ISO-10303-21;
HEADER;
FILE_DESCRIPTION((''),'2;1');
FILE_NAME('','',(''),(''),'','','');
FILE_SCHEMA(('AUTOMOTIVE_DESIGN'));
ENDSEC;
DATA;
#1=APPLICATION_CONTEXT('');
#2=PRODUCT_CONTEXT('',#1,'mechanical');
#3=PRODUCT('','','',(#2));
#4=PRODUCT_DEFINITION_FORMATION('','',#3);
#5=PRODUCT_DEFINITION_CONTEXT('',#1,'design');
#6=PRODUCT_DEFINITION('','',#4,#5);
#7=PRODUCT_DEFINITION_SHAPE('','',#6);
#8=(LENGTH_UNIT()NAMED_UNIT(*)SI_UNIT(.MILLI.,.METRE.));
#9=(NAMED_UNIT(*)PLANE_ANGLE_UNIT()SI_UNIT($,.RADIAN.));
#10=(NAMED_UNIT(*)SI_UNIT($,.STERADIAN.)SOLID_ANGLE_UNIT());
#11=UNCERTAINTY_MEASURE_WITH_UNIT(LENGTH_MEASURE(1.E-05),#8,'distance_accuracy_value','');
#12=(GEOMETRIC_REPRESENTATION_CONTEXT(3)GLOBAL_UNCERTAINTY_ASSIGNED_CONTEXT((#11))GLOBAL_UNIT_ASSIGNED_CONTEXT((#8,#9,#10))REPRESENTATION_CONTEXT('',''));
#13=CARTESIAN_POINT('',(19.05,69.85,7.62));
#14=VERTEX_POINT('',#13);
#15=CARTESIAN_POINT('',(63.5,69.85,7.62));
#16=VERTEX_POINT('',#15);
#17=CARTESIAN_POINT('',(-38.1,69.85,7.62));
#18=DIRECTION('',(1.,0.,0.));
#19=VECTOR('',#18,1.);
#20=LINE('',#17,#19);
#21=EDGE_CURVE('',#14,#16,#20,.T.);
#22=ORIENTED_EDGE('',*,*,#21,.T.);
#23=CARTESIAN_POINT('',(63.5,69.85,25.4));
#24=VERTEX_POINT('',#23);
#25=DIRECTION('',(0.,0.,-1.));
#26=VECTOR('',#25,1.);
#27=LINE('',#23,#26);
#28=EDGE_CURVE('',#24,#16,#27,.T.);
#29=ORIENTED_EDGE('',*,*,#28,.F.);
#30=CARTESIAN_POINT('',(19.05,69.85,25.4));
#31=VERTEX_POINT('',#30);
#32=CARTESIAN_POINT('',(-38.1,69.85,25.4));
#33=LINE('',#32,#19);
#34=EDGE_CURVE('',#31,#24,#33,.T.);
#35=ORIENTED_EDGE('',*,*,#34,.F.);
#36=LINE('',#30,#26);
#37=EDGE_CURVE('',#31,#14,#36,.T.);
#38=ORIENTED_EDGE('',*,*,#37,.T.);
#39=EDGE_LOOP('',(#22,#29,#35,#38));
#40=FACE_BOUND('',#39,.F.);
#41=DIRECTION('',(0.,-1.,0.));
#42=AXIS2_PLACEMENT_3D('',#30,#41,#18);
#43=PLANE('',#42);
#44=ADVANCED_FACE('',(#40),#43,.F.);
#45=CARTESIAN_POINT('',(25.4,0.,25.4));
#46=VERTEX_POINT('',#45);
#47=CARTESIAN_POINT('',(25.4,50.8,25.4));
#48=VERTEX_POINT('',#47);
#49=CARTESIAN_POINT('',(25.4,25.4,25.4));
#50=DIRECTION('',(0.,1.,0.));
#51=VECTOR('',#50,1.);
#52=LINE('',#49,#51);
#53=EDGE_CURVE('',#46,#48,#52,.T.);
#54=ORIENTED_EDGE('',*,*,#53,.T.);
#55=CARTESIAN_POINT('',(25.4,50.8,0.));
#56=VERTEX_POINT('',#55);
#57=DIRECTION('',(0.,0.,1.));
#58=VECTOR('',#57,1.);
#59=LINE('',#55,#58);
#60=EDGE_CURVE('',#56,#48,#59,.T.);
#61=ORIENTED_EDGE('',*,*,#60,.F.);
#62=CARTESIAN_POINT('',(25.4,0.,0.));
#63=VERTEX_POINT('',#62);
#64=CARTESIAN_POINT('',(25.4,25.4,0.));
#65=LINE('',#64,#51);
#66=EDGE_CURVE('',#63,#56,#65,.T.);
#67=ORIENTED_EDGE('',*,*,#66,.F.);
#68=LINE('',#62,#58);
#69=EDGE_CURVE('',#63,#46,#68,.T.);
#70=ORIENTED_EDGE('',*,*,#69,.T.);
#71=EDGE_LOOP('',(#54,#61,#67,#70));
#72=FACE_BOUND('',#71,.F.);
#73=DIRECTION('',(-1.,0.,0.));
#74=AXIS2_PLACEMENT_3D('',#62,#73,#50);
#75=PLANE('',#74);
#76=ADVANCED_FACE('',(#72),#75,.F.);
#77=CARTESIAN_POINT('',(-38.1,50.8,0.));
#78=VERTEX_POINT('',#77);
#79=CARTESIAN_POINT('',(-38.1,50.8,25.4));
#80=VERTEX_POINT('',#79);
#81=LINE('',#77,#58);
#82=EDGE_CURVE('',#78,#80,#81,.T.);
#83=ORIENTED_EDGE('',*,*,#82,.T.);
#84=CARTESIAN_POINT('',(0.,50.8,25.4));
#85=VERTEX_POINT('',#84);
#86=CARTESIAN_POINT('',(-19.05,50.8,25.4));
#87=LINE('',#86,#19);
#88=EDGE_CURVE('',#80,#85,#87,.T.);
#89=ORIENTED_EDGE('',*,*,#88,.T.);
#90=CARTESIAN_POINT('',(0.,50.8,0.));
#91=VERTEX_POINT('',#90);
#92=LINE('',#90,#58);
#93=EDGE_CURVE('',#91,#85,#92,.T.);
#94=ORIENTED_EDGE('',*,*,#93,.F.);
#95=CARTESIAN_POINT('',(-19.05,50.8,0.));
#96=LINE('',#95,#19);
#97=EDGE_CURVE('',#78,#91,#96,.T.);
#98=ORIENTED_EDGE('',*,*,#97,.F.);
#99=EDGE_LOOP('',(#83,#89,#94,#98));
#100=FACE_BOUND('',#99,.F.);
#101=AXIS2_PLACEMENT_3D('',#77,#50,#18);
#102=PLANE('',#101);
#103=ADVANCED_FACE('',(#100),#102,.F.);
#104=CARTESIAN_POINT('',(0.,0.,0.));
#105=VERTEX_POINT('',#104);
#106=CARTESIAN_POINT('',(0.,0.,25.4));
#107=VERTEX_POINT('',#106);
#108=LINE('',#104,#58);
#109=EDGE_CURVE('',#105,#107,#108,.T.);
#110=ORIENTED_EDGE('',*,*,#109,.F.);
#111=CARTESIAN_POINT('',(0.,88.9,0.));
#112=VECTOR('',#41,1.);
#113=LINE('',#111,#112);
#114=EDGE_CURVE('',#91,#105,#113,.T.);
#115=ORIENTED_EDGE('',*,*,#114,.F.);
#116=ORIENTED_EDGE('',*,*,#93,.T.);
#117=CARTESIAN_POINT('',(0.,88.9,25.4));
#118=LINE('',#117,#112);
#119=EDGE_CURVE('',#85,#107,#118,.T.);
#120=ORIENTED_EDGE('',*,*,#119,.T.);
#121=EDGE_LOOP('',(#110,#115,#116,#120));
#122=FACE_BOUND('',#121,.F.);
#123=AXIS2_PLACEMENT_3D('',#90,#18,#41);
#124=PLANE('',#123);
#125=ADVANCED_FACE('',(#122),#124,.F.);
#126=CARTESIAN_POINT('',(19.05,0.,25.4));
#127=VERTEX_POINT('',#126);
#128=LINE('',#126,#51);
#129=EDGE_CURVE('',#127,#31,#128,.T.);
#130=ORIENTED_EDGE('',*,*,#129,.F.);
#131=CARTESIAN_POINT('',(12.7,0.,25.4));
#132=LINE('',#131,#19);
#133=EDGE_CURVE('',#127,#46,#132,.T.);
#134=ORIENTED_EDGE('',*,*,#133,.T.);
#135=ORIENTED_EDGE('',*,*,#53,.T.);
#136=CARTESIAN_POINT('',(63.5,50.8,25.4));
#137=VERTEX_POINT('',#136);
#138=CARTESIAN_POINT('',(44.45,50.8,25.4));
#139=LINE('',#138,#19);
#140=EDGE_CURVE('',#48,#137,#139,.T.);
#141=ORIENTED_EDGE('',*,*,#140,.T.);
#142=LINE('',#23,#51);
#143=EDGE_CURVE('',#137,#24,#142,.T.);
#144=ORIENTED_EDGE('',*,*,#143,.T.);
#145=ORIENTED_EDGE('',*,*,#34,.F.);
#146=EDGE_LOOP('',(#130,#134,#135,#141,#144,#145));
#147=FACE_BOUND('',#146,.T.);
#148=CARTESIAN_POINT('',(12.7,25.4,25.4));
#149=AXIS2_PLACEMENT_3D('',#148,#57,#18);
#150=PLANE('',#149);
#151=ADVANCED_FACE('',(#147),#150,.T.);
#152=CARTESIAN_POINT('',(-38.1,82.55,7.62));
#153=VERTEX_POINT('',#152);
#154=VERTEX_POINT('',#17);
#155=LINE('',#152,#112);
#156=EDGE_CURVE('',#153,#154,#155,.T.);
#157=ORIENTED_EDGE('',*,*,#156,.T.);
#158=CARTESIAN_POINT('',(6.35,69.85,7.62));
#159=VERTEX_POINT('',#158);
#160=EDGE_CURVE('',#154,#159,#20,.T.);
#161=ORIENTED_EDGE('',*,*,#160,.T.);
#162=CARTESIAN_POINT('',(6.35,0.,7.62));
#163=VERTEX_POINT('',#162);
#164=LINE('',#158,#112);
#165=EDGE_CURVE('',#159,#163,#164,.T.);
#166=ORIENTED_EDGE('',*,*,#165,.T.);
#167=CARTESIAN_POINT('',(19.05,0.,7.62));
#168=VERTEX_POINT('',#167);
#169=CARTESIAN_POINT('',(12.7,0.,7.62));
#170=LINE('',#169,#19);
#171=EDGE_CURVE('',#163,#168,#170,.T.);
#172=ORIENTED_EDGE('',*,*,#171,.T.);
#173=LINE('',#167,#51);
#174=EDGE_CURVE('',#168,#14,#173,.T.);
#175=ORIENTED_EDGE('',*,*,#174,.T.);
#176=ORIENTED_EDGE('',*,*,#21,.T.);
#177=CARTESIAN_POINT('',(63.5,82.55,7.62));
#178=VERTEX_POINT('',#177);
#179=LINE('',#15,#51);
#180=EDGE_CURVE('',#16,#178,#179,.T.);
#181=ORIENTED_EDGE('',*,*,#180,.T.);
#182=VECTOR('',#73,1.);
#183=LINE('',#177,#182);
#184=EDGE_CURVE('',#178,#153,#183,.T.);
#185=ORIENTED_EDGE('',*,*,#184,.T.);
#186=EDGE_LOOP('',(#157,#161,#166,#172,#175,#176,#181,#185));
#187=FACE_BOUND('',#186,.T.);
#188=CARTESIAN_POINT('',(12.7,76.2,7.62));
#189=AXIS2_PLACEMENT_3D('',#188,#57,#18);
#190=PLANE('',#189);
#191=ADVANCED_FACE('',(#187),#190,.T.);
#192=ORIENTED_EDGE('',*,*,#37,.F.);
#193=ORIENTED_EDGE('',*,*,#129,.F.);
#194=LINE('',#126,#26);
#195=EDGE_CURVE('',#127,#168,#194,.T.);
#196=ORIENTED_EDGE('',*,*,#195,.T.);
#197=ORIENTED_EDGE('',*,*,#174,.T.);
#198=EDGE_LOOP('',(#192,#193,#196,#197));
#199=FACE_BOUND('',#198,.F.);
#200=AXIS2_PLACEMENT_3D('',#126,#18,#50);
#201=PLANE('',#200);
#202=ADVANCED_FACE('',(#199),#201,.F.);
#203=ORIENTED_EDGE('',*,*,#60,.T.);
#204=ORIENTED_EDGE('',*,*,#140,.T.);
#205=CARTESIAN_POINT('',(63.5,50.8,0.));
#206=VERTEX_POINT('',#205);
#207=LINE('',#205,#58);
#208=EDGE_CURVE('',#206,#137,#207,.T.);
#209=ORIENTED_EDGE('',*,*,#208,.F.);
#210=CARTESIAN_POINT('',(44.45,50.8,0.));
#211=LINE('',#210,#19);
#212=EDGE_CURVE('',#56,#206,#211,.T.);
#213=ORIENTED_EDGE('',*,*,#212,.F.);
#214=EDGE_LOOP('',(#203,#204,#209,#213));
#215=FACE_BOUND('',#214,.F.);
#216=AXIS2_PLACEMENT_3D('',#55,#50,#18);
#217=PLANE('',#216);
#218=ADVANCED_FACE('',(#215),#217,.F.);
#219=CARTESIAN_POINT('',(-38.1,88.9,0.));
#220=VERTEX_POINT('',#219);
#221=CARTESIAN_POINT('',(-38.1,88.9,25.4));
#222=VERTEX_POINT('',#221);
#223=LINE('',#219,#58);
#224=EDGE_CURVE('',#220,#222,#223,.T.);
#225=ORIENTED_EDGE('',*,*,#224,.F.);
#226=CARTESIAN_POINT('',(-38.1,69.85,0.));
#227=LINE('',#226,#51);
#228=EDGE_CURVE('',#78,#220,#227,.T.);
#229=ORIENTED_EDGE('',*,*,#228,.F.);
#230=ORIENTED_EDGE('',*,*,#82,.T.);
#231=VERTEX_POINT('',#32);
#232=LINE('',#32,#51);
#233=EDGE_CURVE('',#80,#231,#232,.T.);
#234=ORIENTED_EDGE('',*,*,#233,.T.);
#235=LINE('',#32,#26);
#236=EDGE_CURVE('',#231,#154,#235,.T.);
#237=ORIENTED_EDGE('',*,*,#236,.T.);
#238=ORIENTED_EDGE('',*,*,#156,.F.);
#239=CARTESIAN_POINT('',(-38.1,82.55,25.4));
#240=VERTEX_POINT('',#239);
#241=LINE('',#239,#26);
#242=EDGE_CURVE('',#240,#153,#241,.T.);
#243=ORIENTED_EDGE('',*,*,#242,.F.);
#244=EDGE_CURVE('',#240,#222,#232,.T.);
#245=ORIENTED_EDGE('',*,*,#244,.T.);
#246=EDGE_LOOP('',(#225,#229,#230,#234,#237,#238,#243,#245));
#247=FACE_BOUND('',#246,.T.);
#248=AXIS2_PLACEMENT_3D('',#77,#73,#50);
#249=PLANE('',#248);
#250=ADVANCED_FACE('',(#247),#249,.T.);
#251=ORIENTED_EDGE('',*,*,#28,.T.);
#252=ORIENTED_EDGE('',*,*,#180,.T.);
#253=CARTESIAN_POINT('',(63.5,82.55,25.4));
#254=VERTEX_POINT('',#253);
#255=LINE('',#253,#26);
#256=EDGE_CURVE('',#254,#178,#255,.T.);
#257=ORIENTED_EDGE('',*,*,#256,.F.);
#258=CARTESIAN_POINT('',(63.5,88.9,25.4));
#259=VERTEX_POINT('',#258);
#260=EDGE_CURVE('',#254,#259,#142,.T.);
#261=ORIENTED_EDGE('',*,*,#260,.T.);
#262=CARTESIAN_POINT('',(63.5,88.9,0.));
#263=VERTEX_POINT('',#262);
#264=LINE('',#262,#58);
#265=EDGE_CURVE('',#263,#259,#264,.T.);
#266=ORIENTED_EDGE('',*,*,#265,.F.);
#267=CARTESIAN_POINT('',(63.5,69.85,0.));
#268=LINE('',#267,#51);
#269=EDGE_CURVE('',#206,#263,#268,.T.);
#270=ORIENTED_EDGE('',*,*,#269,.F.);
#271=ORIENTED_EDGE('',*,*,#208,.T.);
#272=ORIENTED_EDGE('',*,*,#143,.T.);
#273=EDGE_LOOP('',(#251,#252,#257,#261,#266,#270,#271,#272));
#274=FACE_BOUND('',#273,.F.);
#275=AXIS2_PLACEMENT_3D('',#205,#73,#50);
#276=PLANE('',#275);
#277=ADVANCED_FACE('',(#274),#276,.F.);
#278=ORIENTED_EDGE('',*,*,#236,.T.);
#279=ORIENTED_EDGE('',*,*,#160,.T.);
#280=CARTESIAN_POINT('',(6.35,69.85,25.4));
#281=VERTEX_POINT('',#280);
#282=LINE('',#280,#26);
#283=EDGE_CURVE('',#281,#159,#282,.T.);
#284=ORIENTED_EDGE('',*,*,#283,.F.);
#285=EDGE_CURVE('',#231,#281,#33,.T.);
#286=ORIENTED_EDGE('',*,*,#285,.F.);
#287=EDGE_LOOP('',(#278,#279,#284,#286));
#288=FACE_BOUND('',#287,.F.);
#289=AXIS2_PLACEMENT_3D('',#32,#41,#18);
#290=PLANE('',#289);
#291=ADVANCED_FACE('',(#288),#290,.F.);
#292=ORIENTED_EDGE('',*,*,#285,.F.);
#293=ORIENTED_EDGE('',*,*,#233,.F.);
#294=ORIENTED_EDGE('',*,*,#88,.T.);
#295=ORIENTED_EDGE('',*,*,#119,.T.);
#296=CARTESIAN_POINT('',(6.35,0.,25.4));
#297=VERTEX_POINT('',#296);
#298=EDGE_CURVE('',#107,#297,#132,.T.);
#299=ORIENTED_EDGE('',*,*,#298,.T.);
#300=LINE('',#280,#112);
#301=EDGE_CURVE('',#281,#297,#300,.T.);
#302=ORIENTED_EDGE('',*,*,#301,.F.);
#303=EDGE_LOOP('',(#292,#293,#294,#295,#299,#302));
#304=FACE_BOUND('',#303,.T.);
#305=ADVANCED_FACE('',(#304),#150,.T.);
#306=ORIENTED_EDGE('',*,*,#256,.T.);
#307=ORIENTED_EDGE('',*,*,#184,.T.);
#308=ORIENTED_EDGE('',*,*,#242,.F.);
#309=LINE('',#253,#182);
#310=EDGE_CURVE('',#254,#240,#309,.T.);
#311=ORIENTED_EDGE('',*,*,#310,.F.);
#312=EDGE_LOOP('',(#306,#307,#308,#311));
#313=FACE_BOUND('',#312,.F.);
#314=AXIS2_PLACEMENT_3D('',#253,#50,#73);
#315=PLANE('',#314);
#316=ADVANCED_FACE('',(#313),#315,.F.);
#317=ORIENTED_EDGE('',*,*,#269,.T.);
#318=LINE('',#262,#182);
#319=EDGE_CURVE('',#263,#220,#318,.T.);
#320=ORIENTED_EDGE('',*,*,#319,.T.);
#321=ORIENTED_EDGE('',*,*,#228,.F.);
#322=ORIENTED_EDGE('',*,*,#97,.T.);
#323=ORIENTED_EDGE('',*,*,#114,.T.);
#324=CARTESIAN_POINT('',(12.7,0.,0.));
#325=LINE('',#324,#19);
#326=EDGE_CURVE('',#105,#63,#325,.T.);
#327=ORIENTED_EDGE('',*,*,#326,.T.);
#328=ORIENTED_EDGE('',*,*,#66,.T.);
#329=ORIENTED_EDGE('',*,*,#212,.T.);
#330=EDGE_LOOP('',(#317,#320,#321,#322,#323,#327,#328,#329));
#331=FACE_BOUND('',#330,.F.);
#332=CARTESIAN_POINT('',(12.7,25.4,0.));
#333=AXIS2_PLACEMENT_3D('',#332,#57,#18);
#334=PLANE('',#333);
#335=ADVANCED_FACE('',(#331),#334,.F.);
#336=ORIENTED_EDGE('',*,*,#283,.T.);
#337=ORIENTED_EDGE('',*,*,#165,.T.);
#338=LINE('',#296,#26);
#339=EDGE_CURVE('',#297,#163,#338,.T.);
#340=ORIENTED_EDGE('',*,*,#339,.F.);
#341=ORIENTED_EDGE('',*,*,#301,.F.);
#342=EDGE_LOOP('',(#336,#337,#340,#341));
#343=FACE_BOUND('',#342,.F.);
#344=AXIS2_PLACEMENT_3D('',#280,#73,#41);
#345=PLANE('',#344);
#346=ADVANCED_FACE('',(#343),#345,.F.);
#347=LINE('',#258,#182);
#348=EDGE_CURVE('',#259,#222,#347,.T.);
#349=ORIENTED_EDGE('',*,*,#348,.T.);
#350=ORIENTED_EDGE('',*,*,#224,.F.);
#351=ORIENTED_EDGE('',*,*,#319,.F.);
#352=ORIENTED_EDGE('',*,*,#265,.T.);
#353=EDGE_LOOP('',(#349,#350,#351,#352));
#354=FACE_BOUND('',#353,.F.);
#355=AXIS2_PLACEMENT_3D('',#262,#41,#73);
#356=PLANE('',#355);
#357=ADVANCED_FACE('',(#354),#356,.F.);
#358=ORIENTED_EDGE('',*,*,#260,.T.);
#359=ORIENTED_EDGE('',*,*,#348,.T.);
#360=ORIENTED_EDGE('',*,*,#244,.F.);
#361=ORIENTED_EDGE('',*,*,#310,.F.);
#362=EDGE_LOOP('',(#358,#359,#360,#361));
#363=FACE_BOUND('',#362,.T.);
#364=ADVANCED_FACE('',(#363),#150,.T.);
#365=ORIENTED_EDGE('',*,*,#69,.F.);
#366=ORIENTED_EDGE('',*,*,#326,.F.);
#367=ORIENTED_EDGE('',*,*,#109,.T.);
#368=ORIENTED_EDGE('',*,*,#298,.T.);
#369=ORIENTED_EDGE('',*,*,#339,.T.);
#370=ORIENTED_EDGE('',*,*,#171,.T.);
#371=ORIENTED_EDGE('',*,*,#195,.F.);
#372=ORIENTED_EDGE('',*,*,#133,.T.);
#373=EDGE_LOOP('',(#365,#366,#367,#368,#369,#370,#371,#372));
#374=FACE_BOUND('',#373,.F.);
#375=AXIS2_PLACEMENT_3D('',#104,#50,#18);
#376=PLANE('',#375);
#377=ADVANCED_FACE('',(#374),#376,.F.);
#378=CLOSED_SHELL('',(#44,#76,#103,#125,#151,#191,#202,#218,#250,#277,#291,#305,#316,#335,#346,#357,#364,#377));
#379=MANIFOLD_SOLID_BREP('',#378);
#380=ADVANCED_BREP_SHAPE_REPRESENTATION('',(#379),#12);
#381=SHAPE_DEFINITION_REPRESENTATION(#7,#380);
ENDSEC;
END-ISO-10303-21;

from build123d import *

# Parameters (mm, degrees)
F0_W     = 25.4
F0_H     = 50.8
F0_W_2   = 38.1
F0_H_2   = 38.1
F1_DEPTH = 25.4
F2_W     = 12.7
F2_H     = 19.05
F2_H_2   = 50.8
F3_DEPTH = 17.78


with BuildPart() as f1:
    # F0 (on Top) → F1 (new body)
    with BuildSketch(Plane.XY):
        with Locations((12.7, 25.4)):
            Rectangle(F0_W, F0_H)
        with Locations((44.45, 69.85)):
            Rectangle(F0_W_2, F0_H_2)
        with Locations((12.7, 69.85)):
            Rectangle(F0_W, F0_H_2)
        with Locations((-19.05, 69.85)):
            Rectangle(F0_W_2, F0_H_2)
    extrude(amount=F1_DEPTH)

    # F2 (on face) → F3 (cut)
    with BuildSketch(Plane.XY.offset(25.4)):
        Polygon((-38.1, 69.85), (6.35, 69.85), (19.05, 69.85), (63.5, 69.85), (63.5, 82.55), (-38.1, 82.55), align=None)
        with Locations((12.7, 60.325)):
            Rectangle(F2_W, F2_H)
        with Locations((12.7, 25.4)):
            Rectangle(F2_W, F2_H_2)
    extrude(amount=-F3_DEPTH, mode=Mode.SUBTRACT)


solid = f1.part
